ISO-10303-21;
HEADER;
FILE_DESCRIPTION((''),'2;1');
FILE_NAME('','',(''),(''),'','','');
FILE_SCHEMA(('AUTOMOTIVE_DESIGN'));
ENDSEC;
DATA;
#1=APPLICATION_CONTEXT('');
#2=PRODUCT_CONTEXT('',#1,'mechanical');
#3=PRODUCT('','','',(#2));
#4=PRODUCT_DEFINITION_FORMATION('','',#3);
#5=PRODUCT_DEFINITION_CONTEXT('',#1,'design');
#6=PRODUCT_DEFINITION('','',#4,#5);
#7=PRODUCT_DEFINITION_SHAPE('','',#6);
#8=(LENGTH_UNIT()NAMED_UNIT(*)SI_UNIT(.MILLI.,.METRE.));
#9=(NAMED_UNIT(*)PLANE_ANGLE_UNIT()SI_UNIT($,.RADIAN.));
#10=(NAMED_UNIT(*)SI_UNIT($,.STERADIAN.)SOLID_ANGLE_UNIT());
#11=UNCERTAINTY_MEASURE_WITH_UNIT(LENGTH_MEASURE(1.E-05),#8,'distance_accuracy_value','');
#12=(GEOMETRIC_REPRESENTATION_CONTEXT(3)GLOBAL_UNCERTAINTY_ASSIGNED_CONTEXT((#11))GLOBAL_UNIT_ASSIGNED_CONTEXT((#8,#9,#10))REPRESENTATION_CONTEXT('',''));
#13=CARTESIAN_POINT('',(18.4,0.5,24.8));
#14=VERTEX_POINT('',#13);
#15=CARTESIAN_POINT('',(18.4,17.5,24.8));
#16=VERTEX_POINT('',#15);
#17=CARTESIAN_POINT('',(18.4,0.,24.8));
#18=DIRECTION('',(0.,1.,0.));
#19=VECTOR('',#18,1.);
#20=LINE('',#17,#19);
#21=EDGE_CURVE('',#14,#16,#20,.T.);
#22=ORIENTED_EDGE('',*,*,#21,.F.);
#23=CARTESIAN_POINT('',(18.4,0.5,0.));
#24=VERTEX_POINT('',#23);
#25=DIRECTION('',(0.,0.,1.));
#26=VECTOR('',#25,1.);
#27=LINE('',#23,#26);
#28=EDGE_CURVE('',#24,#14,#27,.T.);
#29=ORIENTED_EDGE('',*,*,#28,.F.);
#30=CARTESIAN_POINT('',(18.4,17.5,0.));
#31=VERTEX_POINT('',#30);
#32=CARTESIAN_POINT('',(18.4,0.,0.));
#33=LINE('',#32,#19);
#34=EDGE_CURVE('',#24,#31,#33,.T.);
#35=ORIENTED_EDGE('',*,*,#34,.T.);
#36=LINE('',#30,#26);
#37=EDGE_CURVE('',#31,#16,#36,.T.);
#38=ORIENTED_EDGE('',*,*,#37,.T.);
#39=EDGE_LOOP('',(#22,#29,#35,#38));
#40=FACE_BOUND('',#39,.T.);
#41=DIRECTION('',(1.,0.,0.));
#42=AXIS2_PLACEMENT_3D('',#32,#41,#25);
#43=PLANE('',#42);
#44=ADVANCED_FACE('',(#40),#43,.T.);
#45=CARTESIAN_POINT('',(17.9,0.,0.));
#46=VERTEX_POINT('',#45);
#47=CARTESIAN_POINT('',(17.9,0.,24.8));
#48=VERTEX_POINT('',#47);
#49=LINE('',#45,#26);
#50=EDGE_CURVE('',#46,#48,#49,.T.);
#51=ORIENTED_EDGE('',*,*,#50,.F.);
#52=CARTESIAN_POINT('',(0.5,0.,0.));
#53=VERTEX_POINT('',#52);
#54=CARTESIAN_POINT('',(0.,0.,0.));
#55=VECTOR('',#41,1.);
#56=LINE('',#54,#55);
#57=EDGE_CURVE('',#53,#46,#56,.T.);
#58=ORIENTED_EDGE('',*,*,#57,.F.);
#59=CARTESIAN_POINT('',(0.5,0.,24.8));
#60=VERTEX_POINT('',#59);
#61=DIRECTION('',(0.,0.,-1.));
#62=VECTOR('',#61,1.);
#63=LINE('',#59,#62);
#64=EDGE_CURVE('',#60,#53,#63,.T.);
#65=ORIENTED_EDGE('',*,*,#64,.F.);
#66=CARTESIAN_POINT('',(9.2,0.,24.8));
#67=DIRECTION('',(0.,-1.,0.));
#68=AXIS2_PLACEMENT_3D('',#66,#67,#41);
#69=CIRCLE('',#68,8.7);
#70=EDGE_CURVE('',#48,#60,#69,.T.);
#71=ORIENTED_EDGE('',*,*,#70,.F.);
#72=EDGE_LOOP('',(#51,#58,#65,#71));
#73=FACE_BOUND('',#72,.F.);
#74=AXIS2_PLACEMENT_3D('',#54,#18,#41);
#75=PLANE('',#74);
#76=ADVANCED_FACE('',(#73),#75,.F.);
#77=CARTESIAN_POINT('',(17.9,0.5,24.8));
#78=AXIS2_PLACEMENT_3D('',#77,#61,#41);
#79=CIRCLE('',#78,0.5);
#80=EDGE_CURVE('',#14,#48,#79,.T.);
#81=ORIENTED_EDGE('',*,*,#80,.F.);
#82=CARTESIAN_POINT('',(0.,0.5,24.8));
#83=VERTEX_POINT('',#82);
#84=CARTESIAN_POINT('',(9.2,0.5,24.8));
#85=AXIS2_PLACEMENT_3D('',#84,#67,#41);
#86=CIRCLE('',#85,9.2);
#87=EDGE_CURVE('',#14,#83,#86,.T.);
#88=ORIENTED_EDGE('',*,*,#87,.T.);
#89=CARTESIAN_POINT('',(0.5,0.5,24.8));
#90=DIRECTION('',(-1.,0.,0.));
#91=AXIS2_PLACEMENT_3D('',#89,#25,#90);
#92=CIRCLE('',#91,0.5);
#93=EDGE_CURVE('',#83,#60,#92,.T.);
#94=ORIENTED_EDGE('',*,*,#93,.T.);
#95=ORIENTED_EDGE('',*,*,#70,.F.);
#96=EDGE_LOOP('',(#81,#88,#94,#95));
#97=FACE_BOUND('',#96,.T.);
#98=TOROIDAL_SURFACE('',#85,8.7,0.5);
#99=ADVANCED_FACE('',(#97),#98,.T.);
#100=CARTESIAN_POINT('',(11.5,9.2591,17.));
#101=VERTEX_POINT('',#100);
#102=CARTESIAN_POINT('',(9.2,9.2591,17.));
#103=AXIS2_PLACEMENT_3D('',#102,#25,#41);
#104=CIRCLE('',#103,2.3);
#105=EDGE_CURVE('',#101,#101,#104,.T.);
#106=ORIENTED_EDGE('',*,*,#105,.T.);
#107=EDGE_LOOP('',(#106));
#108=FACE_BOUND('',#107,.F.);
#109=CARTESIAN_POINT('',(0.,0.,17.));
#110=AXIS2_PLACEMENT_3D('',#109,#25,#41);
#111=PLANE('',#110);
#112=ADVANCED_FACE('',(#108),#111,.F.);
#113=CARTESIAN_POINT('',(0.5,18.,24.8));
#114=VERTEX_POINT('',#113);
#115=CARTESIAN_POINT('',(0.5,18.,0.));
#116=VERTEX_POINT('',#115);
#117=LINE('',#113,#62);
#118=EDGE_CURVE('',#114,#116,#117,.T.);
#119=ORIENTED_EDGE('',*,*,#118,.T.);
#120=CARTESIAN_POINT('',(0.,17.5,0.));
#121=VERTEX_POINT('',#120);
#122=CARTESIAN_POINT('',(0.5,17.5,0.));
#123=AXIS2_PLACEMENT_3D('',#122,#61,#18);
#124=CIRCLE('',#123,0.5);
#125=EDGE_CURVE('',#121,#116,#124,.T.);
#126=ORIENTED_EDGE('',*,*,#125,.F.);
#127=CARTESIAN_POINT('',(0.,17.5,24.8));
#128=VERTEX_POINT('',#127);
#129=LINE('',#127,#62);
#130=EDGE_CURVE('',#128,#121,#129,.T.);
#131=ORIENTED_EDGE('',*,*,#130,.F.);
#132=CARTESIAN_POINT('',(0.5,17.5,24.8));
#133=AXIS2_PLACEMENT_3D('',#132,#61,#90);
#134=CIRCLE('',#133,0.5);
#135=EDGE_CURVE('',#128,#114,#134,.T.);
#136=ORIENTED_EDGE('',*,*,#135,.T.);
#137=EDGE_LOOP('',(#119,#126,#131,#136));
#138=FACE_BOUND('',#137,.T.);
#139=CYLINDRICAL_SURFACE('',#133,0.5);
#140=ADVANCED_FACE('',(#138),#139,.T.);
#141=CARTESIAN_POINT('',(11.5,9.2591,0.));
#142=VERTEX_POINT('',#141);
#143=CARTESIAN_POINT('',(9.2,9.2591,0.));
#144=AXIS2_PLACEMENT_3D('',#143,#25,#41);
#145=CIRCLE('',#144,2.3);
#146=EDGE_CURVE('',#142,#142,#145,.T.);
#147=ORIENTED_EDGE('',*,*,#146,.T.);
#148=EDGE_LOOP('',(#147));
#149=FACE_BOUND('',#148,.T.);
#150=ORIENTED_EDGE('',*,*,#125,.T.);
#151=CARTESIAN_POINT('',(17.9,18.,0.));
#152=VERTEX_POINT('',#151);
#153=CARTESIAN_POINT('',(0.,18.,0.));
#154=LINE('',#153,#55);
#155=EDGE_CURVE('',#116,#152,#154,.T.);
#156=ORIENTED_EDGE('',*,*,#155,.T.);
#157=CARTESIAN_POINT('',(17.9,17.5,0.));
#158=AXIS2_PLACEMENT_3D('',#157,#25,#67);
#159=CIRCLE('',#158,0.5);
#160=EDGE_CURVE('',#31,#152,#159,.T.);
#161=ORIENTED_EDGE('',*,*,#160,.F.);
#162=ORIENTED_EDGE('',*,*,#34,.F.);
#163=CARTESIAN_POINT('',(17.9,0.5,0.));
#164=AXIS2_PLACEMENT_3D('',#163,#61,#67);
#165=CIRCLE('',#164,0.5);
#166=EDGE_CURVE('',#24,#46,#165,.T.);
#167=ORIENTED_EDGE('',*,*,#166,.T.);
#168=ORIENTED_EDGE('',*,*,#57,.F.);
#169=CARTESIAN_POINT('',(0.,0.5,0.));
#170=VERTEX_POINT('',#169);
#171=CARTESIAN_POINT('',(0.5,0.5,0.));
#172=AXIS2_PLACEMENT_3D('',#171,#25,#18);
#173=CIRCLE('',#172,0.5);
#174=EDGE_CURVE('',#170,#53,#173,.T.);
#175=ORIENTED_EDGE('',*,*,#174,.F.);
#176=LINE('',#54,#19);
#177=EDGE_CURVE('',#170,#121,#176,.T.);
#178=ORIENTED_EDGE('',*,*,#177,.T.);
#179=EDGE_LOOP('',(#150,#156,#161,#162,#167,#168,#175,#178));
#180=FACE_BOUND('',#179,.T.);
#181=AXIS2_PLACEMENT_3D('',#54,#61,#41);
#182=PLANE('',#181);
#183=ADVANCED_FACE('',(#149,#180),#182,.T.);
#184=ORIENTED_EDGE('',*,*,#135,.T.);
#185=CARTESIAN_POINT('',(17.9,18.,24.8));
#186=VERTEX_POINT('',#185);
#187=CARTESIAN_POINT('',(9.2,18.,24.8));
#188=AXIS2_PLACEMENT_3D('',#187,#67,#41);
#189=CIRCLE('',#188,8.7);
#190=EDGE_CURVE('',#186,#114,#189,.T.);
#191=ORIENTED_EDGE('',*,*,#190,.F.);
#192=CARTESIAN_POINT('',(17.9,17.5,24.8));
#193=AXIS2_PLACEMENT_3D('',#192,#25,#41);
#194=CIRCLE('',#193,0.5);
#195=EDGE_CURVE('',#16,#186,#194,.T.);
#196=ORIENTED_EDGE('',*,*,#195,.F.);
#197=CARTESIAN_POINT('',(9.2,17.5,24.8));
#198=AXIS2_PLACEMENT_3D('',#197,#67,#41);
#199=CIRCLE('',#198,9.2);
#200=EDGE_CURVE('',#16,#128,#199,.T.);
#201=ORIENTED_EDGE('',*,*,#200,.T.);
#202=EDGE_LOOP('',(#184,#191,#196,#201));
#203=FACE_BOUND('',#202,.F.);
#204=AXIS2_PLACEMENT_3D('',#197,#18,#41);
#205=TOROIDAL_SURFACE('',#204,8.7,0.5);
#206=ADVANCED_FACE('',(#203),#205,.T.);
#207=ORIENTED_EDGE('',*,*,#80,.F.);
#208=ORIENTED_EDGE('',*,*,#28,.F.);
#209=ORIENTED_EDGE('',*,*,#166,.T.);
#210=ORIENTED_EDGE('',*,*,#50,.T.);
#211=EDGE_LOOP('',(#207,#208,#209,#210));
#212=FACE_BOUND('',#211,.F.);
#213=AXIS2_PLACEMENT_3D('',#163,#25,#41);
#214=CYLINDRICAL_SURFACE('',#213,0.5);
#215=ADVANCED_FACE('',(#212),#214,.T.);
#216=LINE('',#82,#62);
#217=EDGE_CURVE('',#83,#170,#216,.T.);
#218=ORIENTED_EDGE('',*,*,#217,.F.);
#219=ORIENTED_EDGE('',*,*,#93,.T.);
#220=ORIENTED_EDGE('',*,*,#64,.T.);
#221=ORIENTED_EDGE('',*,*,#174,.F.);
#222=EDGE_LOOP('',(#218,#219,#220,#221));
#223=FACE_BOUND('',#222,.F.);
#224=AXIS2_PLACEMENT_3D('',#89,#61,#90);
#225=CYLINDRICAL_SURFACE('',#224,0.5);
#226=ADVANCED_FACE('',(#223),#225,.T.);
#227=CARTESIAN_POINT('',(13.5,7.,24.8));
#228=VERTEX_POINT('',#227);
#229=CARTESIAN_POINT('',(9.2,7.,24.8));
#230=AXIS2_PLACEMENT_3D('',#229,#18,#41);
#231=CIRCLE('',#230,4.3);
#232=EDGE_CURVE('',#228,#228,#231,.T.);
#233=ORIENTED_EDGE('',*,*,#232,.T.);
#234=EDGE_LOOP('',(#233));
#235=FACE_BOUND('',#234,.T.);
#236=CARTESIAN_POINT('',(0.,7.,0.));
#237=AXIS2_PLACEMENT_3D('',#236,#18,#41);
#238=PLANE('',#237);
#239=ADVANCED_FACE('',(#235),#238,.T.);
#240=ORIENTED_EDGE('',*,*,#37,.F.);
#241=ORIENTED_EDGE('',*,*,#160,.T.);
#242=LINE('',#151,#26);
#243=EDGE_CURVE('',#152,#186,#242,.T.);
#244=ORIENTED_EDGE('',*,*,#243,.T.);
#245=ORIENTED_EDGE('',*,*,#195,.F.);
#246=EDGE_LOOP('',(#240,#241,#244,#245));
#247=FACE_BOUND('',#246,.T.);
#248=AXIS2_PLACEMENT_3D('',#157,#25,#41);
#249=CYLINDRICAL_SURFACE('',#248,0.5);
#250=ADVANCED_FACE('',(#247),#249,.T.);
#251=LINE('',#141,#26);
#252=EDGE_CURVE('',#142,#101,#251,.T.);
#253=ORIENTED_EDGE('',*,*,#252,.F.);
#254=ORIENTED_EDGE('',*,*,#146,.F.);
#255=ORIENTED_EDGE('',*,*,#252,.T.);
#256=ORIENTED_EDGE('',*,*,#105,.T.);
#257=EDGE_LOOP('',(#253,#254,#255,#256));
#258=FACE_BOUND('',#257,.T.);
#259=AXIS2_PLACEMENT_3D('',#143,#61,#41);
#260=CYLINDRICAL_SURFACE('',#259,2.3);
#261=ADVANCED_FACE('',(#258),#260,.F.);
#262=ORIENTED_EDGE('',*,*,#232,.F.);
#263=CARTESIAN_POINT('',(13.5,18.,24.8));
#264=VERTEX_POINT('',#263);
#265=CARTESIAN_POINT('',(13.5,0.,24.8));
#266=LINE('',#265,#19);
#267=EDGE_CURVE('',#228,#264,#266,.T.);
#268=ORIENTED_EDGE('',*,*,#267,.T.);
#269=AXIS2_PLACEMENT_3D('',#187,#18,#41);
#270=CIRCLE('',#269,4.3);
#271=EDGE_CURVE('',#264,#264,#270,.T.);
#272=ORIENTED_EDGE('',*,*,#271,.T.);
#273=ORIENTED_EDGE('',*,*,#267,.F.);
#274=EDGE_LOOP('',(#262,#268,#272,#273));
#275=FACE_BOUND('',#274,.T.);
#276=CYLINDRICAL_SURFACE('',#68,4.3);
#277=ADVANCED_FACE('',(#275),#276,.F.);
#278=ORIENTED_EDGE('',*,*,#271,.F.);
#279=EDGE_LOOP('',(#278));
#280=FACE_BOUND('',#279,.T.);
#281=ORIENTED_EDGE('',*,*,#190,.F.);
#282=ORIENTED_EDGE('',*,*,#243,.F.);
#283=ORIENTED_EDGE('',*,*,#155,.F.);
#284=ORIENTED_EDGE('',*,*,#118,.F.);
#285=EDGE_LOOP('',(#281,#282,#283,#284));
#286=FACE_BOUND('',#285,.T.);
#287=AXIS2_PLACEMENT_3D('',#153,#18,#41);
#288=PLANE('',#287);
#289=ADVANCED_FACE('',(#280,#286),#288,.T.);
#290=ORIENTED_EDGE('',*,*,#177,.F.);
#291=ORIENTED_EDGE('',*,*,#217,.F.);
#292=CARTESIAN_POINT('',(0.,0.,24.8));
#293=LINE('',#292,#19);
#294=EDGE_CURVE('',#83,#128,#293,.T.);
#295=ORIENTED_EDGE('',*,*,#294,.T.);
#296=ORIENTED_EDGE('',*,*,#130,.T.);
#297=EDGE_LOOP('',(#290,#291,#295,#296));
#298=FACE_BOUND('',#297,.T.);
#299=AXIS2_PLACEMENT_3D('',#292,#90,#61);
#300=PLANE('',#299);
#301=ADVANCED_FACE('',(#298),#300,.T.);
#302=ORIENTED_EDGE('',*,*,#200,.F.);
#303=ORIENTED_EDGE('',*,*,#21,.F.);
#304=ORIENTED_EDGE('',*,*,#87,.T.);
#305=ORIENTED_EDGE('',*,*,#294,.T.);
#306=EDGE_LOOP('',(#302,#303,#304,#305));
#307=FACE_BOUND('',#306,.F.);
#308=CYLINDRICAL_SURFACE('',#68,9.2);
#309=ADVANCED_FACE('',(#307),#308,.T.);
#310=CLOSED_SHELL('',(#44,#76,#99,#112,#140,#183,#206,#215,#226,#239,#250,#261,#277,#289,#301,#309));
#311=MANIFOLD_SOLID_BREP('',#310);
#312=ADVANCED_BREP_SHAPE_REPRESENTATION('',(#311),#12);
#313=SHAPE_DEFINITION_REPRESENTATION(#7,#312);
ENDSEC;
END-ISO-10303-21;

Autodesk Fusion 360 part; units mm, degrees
sketch "Sketch1" plane through (0, 0, 0) normal (0, 1, 0) x (1, 0, 0)
  line L0 (0, 0) -> (18.4, 0)
  line L1 (18.4, 0) -> (18.4, -34)
  line L2 (18.4, -34) -> (0, -34)
  line L3 (0, -34) -> (0, 0)
  circle A0 centre (9.2, -24.8) radius 9.2
  circle A1 centre (9.2, -24.8) radius 4.3
  dimension "d1" = 18.4
  dimension "d2" = 34
  dimension "d3" = 4.9
extrude "Extrude2" add sketch "Sketch1" along normal blind 18 contours L0 L1 L3 A0 | A0
fillet "Fillet1" radius 0.5 6 edges at (18.4, 0, 12.4) (9.2, 0, 34) (0, 0, 12.4) (0, 18, 12.4) (9.2, 18, 34) (18.4, 18, 12.4)
sketch "Sketch2" plane through (0, 0, 0) normal (0, 0, 1) x (1, 0, 0)
  line L0 (18.4, 0.5) -> (18.4, 17.5)
sketch "Sketch3" plane through (0, 0, 0) normal (0, 0, 1) x (1, 0, 0)
  circle A0 centre (9.2, 9.2591) radius 2.3
  dimension "d9" = 4.6
extrude "Extrude3" cut sketch "Sketch3" along normal blind 17
extrude "Extrude4" add sketch "Sketch1" along normal blind 7 contours A1
